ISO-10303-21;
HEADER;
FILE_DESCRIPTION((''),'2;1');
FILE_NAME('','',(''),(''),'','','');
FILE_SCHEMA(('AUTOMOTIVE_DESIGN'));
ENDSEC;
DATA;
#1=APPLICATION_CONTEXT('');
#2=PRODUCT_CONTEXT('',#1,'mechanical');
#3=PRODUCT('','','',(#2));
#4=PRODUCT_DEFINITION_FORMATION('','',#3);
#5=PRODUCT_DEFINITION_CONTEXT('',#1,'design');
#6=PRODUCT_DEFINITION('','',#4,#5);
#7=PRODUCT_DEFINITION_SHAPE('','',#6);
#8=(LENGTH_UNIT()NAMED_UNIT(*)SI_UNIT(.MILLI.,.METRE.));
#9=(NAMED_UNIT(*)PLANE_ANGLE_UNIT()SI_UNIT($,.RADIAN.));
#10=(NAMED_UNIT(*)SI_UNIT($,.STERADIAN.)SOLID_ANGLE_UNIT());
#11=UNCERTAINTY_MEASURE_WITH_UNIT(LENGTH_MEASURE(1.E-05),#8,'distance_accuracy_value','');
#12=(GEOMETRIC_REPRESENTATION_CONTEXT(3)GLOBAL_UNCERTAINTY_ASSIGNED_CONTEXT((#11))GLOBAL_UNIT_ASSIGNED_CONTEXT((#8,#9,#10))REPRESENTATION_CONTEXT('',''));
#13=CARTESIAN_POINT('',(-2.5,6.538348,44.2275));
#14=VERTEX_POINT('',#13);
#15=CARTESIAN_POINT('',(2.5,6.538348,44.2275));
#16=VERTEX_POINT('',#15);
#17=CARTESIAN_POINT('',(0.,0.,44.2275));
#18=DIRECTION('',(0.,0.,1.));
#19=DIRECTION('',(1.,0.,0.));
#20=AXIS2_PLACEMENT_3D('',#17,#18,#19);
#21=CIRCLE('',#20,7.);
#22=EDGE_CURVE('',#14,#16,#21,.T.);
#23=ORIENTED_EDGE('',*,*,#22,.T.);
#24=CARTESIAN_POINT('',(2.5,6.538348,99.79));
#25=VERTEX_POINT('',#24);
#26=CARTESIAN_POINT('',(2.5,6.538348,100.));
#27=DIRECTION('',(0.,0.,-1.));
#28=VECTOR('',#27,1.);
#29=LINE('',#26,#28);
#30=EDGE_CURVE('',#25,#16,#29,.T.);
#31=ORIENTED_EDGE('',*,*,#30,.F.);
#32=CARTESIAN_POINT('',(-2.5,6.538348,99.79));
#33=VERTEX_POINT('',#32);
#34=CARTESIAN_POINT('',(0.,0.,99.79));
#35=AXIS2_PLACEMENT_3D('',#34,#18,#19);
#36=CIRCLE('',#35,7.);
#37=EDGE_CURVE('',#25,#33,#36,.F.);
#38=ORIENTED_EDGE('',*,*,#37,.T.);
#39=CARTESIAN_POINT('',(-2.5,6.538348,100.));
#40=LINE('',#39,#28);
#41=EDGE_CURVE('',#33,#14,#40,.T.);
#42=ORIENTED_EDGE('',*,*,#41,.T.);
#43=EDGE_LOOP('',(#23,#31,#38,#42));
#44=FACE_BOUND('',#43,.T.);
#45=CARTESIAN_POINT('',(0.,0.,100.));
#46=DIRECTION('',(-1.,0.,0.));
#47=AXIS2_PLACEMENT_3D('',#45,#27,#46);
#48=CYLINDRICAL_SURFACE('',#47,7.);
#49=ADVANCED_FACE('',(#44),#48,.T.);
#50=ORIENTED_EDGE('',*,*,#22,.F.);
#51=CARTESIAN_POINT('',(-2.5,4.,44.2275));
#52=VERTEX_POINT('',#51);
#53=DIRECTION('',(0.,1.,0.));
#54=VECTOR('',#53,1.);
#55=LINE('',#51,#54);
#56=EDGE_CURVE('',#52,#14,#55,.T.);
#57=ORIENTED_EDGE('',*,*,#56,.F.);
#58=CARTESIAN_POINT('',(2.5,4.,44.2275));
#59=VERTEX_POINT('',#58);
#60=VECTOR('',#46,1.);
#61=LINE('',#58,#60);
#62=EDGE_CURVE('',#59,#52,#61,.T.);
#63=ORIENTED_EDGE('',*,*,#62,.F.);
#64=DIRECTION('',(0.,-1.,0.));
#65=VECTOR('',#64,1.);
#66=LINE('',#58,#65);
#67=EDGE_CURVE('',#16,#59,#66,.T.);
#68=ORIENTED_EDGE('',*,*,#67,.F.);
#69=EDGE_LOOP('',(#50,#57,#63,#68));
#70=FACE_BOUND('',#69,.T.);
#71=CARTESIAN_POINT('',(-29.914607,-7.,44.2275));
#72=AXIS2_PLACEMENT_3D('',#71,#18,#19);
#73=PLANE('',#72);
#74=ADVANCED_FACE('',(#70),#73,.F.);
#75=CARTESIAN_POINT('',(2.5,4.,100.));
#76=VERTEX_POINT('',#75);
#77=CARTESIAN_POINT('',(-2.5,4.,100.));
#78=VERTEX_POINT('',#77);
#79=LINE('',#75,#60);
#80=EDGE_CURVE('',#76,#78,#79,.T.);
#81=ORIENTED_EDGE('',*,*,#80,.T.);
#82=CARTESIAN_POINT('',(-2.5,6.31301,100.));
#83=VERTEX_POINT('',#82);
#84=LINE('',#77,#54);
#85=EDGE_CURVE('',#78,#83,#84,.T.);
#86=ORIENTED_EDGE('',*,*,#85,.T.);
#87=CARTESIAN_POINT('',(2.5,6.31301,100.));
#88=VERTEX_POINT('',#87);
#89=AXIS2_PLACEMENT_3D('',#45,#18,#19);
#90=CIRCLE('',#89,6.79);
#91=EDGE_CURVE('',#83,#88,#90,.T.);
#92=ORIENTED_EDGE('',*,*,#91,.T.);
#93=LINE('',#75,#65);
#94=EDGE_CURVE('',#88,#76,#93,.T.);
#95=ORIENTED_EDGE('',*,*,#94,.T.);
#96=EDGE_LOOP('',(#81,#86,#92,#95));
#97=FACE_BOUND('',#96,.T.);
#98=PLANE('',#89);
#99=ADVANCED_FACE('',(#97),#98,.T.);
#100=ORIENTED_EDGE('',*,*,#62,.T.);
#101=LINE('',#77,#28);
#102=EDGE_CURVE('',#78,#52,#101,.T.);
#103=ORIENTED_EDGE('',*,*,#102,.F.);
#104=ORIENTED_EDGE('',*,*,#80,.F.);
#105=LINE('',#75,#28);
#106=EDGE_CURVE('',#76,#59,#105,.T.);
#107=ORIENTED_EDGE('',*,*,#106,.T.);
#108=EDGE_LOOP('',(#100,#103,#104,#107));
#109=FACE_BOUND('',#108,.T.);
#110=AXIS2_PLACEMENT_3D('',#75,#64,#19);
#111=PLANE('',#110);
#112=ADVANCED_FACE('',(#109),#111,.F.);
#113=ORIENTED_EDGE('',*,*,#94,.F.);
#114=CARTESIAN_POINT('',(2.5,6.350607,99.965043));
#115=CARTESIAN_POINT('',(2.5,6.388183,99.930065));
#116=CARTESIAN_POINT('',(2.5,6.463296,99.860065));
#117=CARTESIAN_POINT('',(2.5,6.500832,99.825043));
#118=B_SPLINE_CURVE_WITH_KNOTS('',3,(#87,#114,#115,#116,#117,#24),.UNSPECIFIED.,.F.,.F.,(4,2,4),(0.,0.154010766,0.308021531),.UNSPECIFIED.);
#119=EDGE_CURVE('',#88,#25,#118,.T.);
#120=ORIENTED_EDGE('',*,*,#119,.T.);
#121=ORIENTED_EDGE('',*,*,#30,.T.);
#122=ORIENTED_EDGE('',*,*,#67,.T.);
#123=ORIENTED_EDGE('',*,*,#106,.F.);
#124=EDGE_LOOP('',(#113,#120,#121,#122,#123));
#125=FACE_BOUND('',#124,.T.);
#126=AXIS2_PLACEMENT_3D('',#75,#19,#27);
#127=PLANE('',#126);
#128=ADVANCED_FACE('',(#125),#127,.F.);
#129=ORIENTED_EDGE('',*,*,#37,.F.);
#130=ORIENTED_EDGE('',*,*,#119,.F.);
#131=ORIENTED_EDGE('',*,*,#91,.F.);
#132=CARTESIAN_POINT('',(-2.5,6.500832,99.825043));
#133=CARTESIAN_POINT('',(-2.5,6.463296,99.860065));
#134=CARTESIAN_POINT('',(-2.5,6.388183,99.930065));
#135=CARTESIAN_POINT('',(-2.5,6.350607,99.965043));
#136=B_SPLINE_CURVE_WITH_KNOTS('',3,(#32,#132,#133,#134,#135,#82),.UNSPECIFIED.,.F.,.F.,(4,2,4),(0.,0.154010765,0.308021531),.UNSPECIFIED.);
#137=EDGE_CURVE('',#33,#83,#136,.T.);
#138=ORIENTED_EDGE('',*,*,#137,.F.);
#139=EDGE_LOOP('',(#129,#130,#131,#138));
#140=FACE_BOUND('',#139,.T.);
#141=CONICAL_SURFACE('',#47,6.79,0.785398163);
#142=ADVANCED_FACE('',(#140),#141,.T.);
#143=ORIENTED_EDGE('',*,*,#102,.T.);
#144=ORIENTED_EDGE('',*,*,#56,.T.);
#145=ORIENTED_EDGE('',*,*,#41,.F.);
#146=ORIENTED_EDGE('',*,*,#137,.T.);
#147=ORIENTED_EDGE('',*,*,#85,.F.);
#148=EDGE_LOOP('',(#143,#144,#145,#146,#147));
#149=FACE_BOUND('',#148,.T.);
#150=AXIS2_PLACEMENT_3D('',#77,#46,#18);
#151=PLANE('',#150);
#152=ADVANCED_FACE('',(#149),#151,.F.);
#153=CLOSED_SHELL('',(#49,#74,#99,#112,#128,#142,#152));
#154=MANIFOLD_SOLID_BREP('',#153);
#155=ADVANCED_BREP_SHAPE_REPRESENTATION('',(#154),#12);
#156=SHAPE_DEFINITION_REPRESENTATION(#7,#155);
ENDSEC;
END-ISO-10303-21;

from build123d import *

# Parameters (mm, degrees)
BOSS_EXTRUDE1_DEPTH      = 100
BOSS_EXTRUDE1_DEPTH_BACK = 100
CHAMFER1_SIZE            = 0.21
CUT_EXTRUDE1_DEPTH       = 101.488805347
CUT_EXTRUDE1_DEPTH_BACK  = 101.488805347
SKETCH4_W                = 104.931235955
SKETCH4_H                = 144.2275


with BuildPart() as part:
    # Sketch3 → Boss-Extrude1 (new, two sides: drawn at the far end of the back side and taken through both)
    with BuildSketch(Plane.XY.offset(-BOSS_EXTRUDE1_DEPTH_BACK)):
        with BuildLine():
            Line((-2.5, 4), (-2.5, 6.538348415))
            ThreePointArc((-2.5, 6.538348415), (0, -7), (2.5, 6.538348415))
            Line((2.5, 6.538348415), (2.5, 4))
            Line((2.5, 4), (-2.5, 4))
        make_face()
    extrude(amount=BOSS_EXTRUDE1_DEPTH + BOSS_EXTRUDE1_DEPTH_BACK)

    # Chamfer1
    chamfer1_edges = [part.edges().sort_by_distance(p)[0] for p in [
        (0, -7, -100),
        (0, -7, 100),
    ]]
    chamfer(chamfer1_edges, length=CHAMFER1_SIZE)

    # Sketch4 → Cut-Extrude1 (cut, two sides: drawn at the far end of the back side and taken through both)
    with BuildSketch(Plane(origin=(0, 0, 0), x_dir=(1, 0, 0), z_dir=(0, 1, 0)).offset(-CUT_EXTRUDE1_DEPTH_BACK)):
        with Locations((22.551011235, 27.88625)):
            Rectangle(SKETCH4_W, SKETCH4_H)
    extrude(amount=CUT_EXTRUDE1_DEPTH + CUT_EXTRUDE1_DEPTH_BACK, mode=Mode.SUBTRACT)


solid = part.part
